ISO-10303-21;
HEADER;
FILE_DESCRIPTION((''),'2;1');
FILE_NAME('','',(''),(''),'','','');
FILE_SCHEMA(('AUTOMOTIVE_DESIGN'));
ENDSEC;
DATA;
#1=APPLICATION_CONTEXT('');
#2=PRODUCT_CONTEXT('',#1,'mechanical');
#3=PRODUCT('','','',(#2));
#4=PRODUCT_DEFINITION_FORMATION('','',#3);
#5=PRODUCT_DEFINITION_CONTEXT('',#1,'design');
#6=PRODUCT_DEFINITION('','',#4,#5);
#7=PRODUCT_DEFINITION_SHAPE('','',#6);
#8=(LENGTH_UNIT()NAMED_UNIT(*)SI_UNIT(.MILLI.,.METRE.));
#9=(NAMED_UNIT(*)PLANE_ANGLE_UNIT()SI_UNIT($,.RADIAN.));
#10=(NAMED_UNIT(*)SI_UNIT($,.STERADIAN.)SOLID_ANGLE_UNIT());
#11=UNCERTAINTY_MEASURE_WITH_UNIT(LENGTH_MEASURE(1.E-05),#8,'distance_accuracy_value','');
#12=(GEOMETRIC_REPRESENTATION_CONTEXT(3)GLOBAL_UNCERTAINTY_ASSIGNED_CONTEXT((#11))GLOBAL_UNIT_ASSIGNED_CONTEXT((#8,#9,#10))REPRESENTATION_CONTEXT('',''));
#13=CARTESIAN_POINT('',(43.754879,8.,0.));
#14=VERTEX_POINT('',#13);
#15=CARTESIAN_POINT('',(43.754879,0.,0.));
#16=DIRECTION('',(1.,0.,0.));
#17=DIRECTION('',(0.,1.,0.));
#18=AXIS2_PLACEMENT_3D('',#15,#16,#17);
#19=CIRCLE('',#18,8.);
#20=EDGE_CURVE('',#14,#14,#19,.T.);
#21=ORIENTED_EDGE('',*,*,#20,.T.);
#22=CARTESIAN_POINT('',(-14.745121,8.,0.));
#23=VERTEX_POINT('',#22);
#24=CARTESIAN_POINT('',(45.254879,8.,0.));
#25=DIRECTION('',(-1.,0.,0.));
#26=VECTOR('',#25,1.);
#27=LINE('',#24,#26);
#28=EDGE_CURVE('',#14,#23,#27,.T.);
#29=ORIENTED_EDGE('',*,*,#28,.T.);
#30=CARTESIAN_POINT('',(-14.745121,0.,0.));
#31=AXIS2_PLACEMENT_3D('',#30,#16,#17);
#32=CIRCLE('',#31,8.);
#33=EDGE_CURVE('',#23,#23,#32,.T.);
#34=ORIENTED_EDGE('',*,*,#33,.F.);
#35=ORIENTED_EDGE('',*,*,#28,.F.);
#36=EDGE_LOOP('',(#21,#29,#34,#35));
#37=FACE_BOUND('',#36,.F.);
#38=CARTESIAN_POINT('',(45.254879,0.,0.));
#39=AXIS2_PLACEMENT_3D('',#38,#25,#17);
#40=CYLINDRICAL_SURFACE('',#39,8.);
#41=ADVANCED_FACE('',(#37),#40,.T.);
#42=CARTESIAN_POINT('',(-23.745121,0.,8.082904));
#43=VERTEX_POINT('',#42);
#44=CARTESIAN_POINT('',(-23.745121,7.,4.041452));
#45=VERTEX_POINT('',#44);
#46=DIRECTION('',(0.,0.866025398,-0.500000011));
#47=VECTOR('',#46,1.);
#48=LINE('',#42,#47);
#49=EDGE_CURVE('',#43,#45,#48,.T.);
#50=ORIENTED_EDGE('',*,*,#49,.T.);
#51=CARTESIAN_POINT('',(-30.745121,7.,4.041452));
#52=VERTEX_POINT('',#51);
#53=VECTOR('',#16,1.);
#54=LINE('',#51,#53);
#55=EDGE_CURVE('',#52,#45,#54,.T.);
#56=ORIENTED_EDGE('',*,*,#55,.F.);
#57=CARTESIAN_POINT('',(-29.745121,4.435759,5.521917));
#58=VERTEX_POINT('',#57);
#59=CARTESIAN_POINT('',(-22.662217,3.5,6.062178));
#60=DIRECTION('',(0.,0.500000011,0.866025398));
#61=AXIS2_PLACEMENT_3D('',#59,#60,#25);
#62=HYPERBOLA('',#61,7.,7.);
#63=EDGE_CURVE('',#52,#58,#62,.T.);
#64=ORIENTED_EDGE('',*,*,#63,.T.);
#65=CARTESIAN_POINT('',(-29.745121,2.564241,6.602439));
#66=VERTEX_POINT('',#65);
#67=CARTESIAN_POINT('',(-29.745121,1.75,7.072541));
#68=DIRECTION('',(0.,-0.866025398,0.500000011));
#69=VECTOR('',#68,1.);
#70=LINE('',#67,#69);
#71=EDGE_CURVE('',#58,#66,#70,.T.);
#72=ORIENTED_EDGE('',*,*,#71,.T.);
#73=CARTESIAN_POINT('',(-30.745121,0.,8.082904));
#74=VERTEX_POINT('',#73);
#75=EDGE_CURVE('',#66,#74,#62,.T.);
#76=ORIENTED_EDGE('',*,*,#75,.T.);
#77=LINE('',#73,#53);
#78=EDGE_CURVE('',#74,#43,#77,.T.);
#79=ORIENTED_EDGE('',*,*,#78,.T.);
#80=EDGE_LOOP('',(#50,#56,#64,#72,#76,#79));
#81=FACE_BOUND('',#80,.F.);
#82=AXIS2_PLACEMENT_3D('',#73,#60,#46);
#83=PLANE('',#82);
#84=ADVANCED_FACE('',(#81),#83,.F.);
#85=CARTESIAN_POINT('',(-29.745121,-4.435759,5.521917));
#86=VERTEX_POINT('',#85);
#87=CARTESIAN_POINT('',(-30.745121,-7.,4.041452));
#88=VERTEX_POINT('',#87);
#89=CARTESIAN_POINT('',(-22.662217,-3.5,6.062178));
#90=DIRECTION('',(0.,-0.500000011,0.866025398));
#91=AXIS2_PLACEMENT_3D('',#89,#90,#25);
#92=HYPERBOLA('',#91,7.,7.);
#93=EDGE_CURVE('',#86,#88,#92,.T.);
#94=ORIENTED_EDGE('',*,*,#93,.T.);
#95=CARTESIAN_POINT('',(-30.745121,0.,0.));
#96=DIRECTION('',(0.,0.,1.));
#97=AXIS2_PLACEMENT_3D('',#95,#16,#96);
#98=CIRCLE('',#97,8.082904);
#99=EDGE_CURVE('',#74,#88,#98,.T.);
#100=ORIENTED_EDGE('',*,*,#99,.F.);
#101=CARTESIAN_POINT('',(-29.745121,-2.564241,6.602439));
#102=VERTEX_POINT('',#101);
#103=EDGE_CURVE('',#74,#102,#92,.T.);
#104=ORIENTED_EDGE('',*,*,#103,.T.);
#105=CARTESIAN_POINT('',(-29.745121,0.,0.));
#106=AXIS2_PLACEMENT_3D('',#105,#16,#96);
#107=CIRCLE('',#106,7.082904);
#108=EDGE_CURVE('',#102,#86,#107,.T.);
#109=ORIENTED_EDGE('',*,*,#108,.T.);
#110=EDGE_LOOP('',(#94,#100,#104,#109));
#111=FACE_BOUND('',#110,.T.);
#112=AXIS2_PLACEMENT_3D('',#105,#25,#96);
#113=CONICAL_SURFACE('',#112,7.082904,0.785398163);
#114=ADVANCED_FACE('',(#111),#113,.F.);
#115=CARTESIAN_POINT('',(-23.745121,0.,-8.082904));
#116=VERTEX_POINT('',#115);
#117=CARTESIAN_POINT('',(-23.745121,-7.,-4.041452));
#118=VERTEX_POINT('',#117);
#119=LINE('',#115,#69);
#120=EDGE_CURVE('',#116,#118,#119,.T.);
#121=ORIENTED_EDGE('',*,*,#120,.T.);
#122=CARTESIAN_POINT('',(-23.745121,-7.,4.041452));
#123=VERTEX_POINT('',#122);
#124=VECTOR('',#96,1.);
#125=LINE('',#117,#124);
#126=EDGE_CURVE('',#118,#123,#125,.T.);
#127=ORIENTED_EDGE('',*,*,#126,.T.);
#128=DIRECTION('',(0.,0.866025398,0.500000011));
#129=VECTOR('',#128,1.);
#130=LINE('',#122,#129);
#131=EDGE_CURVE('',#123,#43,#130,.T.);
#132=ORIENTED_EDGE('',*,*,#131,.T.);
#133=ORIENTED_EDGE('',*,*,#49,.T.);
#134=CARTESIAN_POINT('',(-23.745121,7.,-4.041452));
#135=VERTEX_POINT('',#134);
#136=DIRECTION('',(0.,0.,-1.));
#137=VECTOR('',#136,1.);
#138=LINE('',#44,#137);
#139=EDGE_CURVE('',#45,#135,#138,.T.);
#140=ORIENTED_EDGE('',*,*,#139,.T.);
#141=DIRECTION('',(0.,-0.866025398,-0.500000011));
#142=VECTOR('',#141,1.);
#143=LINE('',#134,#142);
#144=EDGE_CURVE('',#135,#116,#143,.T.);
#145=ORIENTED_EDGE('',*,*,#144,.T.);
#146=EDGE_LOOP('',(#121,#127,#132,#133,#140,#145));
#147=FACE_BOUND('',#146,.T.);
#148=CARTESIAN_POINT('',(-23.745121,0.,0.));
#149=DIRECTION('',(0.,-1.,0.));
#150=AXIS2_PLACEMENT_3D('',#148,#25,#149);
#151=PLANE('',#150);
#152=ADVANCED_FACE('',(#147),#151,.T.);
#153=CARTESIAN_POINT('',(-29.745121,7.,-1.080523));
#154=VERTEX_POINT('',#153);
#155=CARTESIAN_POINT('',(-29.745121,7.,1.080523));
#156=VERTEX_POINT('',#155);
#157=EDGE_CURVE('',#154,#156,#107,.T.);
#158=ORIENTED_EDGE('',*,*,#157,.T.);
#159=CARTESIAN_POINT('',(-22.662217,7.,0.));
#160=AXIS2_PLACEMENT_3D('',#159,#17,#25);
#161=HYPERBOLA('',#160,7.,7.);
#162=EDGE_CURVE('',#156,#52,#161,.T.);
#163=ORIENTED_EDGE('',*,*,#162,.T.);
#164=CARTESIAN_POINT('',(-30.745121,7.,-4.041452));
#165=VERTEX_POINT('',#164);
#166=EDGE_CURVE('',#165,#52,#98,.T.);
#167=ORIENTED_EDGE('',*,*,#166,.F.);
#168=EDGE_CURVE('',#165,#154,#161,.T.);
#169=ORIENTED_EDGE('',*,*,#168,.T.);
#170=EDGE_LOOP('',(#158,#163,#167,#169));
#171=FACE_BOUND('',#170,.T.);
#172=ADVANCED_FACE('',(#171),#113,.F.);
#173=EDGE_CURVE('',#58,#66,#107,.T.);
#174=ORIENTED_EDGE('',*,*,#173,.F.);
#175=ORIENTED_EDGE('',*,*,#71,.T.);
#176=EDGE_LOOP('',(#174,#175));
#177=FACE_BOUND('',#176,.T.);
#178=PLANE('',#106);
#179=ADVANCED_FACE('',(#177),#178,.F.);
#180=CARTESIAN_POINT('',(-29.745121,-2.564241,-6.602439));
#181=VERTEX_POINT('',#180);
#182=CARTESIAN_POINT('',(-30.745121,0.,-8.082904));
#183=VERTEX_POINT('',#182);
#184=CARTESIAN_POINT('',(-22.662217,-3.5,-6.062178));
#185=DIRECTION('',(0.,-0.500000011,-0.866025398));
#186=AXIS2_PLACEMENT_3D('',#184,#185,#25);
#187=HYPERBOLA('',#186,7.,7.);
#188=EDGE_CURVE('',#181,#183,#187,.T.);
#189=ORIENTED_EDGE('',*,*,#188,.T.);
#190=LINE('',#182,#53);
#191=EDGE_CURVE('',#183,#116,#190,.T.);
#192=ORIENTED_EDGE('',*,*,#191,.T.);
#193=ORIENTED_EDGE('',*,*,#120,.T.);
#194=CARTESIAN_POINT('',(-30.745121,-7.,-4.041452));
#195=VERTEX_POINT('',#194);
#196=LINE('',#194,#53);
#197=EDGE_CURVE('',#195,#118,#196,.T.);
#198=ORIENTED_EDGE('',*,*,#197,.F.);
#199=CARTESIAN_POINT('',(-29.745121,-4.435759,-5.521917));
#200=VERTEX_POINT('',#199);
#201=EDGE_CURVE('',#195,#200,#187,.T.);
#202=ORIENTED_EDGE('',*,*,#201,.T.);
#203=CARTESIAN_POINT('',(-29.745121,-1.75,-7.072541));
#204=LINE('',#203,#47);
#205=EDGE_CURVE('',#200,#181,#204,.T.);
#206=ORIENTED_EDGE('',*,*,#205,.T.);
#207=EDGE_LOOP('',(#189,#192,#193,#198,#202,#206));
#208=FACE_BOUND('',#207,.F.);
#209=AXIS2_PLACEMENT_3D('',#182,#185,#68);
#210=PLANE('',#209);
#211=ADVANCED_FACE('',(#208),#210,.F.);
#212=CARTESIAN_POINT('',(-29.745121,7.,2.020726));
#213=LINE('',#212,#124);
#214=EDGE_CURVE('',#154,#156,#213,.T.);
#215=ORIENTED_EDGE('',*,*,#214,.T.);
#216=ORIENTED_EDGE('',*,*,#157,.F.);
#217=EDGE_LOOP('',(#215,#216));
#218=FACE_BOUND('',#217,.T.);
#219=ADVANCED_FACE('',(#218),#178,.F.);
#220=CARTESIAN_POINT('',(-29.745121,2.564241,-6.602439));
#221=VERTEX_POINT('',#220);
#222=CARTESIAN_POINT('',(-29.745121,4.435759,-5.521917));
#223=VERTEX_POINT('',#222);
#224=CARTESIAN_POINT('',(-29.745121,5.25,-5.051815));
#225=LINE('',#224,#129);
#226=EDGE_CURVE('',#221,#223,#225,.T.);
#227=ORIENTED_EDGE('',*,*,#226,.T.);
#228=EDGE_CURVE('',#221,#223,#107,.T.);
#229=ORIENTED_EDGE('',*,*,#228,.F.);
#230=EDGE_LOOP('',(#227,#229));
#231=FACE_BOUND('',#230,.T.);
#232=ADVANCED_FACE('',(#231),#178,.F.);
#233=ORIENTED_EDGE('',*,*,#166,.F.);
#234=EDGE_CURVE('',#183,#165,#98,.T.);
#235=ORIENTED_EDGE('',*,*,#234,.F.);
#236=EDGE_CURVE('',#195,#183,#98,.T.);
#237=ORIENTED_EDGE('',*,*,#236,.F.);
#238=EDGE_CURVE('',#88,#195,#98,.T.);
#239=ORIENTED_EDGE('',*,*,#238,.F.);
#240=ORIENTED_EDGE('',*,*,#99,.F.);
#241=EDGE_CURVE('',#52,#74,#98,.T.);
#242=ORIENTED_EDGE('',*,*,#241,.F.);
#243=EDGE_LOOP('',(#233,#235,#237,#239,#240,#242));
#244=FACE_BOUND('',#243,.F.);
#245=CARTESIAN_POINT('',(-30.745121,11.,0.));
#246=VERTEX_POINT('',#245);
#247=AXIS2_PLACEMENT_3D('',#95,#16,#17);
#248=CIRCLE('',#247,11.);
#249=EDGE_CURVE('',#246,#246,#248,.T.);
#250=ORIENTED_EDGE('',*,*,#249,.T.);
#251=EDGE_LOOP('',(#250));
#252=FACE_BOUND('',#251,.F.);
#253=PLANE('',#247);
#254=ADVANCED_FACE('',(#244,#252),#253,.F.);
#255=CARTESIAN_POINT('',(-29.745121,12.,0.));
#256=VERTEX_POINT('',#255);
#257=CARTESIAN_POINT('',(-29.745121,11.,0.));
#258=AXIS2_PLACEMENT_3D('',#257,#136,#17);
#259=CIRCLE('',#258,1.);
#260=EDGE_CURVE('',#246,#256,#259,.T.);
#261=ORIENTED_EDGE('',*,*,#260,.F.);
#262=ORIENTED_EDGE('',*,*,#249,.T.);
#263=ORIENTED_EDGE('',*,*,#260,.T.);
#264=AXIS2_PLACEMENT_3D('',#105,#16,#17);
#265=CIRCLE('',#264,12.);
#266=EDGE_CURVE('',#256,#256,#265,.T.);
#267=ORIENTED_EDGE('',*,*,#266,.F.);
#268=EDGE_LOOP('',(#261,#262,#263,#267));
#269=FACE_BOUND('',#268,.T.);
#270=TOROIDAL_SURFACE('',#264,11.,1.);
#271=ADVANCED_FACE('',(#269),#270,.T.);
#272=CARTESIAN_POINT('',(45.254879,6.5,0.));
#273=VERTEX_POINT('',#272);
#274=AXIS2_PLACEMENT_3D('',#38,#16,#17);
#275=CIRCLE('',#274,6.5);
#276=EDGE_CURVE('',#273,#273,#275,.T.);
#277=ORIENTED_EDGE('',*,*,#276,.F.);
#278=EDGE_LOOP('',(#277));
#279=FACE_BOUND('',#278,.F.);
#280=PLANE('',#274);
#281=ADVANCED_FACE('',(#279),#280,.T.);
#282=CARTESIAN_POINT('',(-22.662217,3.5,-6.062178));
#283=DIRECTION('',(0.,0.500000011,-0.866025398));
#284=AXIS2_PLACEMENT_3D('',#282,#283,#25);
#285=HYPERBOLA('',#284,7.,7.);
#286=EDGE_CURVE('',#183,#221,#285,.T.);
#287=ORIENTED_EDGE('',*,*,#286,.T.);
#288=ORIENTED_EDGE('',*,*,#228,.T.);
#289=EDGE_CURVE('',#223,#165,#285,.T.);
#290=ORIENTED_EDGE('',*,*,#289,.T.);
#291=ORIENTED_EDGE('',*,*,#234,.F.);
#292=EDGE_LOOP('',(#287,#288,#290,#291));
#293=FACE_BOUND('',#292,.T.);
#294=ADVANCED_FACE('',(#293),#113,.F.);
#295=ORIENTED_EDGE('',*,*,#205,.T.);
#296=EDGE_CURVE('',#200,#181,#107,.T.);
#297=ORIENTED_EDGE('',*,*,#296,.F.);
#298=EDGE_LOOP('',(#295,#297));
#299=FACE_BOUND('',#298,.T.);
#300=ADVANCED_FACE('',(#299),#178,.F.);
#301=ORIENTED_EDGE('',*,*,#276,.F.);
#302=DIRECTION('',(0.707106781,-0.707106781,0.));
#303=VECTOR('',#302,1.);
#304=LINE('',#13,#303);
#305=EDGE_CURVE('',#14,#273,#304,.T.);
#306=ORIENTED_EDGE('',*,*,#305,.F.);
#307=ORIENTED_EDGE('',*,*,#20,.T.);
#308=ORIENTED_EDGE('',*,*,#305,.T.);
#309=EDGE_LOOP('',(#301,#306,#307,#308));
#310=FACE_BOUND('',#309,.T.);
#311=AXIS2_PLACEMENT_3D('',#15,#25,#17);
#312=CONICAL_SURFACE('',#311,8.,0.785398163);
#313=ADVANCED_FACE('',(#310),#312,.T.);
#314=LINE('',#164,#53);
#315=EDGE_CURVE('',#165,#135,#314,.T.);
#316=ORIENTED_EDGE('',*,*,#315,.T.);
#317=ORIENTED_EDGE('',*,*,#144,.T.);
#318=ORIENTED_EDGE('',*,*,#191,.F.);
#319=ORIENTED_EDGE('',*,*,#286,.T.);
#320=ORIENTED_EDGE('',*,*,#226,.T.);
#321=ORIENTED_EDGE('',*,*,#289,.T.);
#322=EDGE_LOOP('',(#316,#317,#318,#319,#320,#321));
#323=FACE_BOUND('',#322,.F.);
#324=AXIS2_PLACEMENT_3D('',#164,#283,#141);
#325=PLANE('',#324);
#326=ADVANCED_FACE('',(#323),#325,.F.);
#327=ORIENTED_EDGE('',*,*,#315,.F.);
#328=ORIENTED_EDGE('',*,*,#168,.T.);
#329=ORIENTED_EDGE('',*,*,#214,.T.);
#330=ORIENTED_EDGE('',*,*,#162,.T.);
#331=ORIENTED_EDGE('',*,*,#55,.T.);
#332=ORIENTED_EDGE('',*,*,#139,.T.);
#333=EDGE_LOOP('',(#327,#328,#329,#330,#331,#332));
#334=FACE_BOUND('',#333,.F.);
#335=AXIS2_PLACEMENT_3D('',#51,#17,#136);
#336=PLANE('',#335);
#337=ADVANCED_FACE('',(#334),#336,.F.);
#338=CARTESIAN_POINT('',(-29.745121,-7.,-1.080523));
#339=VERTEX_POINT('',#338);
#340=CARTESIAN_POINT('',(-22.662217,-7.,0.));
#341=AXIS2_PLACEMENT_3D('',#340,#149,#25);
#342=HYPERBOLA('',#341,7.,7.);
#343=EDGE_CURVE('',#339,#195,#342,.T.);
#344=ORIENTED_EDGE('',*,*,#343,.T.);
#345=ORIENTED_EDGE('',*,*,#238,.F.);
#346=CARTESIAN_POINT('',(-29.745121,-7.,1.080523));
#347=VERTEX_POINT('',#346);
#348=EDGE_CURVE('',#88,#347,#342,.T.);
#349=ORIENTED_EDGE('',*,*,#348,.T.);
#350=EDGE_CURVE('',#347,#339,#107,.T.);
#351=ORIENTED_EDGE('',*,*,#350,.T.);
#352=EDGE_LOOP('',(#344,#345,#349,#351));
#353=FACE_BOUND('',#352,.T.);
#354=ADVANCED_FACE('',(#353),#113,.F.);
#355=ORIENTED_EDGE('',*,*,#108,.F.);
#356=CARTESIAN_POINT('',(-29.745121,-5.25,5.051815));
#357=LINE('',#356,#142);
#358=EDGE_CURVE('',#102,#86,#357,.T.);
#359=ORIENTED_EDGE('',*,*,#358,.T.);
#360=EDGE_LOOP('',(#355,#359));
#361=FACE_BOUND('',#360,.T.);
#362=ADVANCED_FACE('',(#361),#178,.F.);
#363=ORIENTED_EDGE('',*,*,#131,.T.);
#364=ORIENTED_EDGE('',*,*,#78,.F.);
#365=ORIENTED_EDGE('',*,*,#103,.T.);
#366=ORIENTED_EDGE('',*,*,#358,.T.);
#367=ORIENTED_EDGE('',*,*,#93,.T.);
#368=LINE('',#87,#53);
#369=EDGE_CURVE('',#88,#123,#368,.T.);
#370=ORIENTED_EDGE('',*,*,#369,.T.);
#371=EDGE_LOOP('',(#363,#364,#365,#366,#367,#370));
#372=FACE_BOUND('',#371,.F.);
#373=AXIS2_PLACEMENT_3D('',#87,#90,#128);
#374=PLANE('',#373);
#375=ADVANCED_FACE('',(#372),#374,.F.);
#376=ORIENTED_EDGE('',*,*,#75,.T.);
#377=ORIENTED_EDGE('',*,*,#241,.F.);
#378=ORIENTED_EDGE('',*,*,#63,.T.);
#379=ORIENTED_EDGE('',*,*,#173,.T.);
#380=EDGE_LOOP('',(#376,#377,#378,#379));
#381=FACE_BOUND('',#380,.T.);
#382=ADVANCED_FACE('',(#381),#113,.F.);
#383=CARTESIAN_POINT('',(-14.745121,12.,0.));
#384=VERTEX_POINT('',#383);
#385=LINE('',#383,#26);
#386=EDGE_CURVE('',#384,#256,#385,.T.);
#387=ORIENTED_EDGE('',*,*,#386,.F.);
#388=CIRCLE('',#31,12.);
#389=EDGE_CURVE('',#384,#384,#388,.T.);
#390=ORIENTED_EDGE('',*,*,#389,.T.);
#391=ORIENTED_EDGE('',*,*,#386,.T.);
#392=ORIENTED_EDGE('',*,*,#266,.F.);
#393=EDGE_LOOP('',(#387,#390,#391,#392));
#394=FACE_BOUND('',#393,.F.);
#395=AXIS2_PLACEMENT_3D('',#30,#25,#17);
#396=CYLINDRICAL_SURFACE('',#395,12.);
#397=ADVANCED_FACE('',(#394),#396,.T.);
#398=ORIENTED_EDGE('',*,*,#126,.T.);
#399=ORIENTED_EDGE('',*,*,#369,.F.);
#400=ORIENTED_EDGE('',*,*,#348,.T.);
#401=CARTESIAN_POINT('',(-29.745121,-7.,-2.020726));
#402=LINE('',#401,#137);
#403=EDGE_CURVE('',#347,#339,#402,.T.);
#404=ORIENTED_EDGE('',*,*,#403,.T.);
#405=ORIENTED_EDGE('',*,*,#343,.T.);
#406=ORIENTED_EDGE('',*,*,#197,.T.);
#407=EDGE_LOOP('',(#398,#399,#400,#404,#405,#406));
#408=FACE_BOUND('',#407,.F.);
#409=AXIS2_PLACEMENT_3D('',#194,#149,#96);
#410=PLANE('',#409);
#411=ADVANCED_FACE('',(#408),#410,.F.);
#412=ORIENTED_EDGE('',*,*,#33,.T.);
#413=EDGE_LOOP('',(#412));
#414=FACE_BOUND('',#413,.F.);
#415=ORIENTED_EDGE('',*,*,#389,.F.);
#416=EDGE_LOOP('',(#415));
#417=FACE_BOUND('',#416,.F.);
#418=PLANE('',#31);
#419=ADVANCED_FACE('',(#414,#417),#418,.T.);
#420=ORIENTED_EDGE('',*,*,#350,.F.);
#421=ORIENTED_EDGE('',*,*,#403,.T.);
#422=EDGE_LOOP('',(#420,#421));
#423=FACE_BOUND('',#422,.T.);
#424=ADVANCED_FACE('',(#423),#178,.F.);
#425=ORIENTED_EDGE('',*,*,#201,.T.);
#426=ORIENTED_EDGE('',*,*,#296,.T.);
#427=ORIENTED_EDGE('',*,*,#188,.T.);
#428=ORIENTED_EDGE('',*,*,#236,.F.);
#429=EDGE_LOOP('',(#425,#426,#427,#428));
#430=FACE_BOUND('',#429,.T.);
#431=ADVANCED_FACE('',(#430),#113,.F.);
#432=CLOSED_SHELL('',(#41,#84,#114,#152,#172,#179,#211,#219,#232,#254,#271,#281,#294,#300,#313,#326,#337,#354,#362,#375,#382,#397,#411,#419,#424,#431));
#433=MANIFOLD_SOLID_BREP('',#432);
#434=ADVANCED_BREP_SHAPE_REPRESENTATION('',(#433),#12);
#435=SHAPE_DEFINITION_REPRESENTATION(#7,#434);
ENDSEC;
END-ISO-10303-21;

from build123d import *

# Parameters (mm, degrees)
F2_R     = 1
F3_SIZE  = 1.5
F5_DEPTH = 7


with BuildPart() as f1:
    # F0 (on Top) → F1 (revolve)
    with BuildSketch(Plane.XY):
        Polygon((-30.745121, 12), (-30.745121, 0), (45.254879, 0), (45.254879, 8), (-14.745121, 8), (-14.745121, 12), align=None)
    revolve(axis=Axis((0.541581, 0, 0), (1, 0, 0)))

    # F2
    f2_edges = [f1.edges().sort_by_distance(p)[0] for p in [
        (-30.745121, -12, 0),
    ]]
    fillet(f2_edges, radius=F2_R)

    # F3
    f3_edges = [f1.edges().sort_by_distance(p)[0] for p in [
        (45.254879, -8, 0),
    ]]
    chamfer(f3_edges, length=F3_SIZE)

    # F4 (on face) → F5 (cut)
    with BuildSketch(Plane(origin=(-30.745121, 0, 0), x_dir=(0, -1, 0), z_dir=(-1, 0, 0))):
        Polygon((7, -4.041452), (7, 2.453793), (7, 4.041452), (0, 8.082904), (-7, 4.041452), (-7, 2.453793), (-7, -4.041452), (0, -8.082904), align=None)
    extrude(amount=-F5_DEPTH, mode=Mode.SUBTRACT)

    # F6 (on Front) → F7 (revolve, cut)
    with BuildSketch(Plane.XZ):
        Polygon((-29.745121, 7.082904), (-30.745121, 8.082904), (-30.745121, 0), (-29.745121, 0), align=None)
    revolve(axis=Axis((0.541581, 0, 0), (1, 0, 0)), mode=Mode.SUBTRACT)


with BuildPart() as f8_1:
    # F8: copy of F1
    add(f1.part)


solid = f1.part
